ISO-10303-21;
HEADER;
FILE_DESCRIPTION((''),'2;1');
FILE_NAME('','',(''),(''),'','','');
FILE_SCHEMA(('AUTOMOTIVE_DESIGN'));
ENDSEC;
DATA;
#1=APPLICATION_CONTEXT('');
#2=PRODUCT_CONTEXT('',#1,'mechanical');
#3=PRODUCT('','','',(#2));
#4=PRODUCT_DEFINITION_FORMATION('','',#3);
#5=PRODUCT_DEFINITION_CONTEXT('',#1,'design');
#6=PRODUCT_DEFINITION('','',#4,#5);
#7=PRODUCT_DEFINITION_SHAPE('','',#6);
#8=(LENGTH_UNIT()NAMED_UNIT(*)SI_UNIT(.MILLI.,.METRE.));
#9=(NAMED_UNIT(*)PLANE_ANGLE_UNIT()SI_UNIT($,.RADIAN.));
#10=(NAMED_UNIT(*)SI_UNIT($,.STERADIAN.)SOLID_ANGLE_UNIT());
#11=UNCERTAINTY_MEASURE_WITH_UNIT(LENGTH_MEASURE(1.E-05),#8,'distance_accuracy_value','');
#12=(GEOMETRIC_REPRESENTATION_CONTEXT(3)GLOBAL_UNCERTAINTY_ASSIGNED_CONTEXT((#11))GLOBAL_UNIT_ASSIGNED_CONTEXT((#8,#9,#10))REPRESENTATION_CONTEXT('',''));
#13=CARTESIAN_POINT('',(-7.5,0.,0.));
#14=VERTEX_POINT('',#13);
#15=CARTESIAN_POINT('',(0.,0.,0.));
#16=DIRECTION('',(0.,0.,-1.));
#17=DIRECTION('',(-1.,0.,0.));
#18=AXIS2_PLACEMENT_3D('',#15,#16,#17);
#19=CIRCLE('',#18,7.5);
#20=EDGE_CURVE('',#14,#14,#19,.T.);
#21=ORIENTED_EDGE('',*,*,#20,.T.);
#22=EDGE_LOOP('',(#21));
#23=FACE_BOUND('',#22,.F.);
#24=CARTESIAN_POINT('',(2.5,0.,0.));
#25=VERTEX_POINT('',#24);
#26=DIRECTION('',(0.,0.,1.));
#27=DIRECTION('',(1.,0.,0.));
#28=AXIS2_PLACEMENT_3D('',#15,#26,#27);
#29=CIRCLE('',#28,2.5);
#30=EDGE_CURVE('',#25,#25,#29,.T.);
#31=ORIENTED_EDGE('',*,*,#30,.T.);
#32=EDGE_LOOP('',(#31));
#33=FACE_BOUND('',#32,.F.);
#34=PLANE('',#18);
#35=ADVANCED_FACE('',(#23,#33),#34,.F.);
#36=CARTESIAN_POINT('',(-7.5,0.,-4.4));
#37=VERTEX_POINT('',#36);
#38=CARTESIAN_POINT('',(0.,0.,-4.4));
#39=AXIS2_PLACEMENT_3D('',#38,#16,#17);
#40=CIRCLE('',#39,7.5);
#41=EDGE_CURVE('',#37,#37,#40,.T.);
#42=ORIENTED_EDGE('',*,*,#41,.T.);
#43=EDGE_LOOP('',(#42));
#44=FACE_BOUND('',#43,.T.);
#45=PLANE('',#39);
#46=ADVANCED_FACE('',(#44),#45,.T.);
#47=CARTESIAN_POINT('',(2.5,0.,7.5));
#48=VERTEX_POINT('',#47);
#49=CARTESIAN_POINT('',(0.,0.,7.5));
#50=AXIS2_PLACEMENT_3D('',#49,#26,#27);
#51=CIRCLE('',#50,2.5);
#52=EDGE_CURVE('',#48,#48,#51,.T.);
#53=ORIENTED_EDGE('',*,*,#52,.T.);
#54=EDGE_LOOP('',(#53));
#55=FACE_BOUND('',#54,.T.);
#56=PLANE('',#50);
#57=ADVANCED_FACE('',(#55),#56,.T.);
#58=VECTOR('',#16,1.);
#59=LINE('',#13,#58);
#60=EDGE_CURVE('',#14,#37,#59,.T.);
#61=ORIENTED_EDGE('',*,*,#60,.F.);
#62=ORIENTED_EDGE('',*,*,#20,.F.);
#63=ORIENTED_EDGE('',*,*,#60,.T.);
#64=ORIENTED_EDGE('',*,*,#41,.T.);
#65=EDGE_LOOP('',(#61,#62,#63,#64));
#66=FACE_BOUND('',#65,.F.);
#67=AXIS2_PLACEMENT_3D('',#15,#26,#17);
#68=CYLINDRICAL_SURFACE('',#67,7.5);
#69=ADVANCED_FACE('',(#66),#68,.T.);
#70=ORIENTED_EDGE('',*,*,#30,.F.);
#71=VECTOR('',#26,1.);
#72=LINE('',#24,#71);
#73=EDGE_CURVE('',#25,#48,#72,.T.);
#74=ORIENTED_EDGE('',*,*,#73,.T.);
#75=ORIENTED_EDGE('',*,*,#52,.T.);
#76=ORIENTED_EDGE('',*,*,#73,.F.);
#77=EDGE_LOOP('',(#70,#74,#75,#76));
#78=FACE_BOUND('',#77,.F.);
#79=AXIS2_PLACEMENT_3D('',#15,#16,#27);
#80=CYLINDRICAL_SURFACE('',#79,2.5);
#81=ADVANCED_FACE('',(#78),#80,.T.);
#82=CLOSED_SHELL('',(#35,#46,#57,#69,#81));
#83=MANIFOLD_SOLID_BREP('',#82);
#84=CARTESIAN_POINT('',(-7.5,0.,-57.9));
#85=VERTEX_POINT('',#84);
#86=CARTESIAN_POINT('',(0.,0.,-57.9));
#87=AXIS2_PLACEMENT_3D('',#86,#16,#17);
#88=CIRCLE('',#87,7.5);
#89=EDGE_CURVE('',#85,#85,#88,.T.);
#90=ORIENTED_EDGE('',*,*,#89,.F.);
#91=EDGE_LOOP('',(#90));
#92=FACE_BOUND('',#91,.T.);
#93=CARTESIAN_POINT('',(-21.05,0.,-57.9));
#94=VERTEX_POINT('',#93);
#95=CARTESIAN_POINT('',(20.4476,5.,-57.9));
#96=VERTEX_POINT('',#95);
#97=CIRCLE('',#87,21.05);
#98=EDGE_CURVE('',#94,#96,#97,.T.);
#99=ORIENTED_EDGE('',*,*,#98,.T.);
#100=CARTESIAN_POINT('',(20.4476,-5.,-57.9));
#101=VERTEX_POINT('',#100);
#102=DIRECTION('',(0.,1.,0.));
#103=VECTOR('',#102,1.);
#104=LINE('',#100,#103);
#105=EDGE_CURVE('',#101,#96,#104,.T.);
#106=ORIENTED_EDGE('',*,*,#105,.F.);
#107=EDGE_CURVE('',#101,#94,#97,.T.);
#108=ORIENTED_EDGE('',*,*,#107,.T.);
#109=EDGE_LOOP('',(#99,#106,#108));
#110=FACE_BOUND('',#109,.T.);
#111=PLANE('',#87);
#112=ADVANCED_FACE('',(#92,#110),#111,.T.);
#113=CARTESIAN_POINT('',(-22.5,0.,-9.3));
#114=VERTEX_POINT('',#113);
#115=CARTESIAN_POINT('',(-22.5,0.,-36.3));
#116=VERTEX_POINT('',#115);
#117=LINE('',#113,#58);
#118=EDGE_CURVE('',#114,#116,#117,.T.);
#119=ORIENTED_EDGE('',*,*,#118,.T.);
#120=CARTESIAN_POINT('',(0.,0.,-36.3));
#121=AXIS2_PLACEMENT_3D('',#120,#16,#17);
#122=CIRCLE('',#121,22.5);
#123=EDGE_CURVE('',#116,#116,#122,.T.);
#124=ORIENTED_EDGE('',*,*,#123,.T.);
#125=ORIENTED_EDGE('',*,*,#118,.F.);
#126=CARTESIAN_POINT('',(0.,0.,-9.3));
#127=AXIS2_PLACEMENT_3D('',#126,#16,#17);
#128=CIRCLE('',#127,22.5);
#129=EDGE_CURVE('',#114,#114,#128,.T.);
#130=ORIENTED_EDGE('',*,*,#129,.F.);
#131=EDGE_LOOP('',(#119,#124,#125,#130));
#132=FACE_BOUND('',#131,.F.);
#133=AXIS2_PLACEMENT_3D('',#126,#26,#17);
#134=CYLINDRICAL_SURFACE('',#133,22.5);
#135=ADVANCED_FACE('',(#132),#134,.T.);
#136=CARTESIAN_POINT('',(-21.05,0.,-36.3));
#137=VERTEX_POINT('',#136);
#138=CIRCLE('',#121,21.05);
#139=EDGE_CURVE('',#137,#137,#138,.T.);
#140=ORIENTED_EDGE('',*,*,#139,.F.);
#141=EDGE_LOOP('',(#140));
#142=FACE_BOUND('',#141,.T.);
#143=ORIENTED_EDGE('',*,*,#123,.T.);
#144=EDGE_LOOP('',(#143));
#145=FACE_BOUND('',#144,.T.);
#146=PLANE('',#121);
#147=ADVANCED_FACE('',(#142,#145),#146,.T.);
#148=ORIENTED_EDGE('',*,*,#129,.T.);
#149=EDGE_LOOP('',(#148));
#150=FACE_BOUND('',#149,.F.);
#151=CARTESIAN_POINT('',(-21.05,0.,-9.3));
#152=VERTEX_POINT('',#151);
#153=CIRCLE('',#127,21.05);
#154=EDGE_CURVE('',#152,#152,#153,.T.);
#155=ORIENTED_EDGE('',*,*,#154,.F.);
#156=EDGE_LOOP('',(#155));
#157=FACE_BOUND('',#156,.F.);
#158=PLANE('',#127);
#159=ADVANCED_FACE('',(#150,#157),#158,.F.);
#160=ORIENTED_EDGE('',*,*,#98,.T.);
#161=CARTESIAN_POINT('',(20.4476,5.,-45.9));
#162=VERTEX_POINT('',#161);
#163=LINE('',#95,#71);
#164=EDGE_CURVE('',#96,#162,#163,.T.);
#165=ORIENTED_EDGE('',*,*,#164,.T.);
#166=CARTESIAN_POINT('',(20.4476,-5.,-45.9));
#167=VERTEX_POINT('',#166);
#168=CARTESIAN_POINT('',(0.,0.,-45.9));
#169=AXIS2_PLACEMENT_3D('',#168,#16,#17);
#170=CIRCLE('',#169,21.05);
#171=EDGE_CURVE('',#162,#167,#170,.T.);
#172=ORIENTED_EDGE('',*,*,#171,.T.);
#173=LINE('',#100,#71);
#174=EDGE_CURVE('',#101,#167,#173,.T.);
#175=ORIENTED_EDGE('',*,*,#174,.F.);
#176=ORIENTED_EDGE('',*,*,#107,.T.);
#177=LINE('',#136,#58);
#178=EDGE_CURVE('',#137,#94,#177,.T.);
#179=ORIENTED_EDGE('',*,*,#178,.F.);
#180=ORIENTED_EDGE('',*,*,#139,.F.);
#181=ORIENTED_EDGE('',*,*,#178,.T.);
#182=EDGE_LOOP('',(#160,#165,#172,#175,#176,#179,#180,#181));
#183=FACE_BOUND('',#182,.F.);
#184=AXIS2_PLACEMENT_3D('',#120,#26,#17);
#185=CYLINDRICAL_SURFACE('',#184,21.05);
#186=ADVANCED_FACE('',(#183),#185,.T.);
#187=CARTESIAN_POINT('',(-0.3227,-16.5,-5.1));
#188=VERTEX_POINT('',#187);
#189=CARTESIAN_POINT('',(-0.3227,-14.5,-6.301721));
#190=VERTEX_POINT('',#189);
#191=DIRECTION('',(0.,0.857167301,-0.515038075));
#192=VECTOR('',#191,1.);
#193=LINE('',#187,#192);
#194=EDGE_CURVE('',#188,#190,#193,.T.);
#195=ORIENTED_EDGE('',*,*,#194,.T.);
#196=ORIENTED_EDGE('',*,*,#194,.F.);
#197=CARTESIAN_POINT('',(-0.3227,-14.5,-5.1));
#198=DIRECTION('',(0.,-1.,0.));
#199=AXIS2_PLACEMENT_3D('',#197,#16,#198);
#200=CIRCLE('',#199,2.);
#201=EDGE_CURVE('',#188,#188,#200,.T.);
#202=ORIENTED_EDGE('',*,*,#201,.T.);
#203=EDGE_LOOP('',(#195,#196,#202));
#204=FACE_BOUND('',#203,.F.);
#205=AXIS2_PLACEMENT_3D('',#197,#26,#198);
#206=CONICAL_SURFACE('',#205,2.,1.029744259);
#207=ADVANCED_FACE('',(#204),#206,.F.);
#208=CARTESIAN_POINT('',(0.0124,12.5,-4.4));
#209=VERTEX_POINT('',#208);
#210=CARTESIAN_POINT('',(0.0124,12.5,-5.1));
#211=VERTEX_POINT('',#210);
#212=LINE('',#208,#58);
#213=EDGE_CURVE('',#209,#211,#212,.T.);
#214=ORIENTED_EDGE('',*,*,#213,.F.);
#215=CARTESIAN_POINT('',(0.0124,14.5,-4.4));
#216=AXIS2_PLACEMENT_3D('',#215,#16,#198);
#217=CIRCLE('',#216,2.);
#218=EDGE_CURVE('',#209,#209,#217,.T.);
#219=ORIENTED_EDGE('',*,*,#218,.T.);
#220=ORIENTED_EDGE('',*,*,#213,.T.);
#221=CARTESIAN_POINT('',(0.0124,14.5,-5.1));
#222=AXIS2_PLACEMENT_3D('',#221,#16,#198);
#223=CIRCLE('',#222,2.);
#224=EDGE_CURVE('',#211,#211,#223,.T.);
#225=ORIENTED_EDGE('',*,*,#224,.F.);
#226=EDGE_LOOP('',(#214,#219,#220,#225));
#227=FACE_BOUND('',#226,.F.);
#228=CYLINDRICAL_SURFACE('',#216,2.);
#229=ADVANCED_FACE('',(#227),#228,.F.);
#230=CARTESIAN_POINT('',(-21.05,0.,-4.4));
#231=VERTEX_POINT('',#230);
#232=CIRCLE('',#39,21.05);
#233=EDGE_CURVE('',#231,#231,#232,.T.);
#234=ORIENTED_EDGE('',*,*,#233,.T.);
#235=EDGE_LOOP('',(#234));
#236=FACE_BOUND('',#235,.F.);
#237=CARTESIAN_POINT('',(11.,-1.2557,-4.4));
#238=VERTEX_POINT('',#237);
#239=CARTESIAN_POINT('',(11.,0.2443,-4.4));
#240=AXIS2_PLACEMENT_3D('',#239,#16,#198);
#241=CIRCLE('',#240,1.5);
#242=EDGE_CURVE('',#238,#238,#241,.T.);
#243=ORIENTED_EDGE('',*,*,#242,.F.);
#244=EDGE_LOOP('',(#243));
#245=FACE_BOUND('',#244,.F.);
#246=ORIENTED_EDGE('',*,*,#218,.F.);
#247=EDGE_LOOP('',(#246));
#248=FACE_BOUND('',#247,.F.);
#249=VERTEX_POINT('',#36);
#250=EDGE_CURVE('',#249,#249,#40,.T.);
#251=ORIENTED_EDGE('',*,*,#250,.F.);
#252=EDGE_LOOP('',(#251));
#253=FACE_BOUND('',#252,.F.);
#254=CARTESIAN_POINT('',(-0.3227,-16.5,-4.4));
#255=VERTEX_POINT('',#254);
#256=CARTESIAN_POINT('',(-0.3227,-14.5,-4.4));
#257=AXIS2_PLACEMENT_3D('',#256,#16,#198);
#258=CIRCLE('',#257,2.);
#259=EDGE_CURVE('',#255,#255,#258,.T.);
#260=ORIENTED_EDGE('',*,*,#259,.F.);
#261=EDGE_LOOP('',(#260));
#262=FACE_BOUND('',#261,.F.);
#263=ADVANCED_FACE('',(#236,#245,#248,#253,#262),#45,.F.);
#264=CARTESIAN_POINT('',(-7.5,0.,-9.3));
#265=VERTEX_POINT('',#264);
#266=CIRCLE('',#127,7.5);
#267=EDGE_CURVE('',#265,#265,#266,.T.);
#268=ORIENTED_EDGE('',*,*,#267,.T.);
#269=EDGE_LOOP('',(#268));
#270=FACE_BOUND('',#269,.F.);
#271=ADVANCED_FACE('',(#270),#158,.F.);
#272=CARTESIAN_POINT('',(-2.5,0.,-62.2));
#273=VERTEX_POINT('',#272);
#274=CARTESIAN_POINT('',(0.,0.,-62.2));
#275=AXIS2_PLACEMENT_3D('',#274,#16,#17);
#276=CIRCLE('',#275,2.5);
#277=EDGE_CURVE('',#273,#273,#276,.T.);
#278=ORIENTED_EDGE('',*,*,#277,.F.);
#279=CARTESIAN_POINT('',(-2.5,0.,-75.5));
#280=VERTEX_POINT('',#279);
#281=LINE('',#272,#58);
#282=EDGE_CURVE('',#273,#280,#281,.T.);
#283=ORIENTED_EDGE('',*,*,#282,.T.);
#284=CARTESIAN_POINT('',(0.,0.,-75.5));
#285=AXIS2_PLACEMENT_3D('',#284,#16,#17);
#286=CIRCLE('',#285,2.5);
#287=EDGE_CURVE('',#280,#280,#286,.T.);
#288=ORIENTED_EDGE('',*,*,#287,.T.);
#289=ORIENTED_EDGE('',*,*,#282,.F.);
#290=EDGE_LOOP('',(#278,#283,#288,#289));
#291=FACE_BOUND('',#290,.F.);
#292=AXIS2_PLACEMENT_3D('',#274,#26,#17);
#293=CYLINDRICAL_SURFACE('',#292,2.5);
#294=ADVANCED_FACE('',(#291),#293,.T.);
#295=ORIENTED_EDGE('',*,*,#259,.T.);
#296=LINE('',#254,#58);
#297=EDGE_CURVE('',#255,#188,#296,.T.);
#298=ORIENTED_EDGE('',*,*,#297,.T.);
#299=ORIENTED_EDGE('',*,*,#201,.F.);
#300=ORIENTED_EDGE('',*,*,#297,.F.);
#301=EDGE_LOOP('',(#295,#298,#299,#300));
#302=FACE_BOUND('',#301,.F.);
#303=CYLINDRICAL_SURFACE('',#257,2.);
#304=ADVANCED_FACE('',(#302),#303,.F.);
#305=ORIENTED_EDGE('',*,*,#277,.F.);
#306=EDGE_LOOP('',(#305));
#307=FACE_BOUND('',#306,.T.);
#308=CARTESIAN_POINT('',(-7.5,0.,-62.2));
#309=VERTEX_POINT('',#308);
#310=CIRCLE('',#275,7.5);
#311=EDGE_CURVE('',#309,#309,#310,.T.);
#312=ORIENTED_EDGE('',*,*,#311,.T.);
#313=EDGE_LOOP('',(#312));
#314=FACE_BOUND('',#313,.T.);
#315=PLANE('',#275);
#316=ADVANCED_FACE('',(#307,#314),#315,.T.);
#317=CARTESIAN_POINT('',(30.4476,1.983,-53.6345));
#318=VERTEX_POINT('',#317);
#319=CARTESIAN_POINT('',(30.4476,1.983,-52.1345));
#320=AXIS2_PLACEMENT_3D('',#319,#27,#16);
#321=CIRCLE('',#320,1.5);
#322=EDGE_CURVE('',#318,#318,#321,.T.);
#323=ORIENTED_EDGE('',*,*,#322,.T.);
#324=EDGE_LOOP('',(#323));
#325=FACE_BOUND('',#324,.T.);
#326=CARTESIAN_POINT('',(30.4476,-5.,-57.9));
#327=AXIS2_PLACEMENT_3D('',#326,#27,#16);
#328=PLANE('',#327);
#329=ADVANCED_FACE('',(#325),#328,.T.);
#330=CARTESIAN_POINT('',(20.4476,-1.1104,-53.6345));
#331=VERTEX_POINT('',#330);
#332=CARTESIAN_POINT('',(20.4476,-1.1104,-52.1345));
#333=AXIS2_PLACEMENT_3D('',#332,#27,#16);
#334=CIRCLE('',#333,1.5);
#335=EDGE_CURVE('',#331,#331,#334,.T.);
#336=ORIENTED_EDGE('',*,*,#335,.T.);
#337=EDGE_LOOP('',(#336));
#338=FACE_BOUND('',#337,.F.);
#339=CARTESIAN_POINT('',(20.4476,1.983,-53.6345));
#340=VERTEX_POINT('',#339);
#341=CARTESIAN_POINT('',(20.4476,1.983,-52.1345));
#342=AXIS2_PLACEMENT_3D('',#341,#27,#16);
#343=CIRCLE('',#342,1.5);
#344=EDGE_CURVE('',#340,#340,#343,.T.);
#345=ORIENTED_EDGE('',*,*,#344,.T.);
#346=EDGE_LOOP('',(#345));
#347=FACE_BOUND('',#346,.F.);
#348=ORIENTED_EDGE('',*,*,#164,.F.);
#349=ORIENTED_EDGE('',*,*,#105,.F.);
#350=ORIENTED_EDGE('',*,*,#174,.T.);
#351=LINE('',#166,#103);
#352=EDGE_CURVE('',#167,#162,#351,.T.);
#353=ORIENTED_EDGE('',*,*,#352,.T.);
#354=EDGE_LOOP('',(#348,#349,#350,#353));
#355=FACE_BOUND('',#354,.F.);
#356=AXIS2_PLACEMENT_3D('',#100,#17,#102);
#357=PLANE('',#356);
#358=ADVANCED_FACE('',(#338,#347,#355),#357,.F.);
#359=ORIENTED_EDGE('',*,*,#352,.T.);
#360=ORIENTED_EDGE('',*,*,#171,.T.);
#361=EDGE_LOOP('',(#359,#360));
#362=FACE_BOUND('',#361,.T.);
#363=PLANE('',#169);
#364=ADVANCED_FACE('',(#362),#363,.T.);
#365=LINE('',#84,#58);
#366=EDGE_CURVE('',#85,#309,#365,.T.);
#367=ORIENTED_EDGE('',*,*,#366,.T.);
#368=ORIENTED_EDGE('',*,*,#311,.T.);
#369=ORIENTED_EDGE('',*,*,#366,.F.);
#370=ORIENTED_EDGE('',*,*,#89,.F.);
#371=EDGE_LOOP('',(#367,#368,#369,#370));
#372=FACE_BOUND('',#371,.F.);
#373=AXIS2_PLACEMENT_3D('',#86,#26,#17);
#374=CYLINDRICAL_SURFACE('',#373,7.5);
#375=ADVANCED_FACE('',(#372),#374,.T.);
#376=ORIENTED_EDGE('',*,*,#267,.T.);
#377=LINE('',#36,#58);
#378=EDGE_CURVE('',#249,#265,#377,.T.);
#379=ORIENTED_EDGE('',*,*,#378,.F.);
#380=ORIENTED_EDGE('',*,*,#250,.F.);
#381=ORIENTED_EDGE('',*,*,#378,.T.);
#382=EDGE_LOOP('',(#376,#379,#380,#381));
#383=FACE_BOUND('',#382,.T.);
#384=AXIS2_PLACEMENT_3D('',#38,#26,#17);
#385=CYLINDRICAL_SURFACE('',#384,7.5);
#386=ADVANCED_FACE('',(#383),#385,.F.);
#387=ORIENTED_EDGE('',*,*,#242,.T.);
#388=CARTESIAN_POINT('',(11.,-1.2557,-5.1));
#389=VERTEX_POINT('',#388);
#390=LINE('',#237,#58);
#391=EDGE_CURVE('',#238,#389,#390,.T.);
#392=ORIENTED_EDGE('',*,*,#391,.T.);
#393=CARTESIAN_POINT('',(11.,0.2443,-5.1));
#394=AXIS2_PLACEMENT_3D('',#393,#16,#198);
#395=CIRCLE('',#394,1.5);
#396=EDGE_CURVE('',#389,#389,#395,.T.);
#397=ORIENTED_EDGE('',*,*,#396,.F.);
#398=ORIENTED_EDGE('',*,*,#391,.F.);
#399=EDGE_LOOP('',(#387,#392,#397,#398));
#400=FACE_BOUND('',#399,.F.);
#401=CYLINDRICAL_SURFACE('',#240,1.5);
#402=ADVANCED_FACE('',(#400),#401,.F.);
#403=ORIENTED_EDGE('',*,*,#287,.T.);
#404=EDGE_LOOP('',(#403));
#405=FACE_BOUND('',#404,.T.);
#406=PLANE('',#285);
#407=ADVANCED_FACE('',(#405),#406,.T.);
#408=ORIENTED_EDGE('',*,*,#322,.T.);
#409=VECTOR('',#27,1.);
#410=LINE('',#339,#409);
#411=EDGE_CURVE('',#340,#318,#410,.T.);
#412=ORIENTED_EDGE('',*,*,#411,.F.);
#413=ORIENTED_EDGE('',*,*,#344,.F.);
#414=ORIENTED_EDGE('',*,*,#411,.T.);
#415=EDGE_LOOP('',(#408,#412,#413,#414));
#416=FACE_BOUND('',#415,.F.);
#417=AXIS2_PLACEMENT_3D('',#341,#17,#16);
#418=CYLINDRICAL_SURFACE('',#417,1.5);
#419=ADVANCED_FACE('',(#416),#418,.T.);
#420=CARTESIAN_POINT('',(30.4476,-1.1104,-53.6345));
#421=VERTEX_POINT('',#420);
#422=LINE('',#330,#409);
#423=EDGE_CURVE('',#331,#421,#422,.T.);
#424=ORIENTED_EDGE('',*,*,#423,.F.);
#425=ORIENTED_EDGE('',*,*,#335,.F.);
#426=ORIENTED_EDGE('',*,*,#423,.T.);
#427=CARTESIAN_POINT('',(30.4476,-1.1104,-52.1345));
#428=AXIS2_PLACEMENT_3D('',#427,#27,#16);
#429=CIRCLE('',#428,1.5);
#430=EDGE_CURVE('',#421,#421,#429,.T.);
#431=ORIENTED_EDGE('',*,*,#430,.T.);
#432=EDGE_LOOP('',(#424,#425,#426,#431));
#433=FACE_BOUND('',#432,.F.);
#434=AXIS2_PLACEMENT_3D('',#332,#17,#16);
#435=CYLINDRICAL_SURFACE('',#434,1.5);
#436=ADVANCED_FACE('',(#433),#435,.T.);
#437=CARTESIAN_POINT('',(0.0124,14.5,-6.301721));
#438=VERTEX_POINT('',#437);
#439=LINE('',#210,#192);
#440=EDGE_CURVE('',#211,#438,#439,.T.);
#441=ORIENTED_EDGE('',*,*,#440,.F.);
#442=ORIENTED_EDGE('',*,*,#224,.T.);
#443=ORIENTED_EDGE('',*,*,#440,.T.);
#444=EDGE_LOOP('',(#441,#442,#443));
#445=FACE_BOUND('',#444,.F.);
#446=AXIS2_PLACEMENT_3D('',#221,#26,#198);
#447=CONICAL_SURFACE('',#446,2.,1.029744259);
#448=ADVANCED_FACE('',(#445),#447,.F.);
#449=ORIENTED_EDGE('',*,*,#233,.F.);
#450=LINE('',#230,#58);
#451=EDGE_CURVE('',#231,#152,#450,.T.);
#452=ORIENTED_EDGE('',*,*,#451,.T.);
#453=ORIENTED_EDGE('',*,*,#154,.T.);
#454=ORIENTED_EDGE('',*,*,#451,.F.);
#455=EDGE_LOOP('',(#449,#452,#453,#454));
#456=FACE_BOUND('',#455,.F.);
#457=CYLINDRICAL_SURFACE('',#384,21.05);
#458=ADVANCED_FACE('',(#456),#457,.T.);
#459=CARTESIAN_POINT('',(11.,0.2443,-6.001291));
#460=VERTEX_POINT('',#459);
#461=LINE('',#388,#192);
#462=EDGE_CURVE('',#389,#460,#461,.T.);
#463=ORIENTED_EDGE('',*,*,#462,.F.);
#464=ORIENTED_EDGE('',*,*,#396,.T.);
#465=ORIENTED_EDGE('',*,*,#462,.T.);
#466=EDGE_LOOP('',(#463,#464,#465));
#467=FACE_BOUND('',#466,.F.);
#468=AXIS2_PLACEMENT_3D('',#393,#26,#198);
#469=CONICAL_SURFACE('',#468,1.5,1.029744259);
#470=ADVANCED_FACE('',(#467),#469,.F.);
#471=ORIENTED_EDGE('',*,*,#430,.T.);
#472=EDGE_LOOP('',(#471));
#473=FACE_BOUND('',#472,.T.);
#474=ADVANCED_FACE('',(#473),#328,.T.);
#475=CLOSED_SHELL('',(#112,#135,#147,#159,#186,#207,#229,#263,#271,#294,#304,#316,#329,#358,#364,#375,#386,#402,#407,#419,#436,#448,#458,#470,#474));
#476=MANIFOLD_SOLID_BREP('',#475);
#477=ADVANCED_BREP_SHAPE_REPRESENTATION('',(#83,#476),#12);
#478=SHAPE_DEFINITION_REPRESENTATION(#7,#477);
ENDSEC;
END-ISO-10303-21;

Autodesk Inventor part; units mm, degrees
ref_plane "YZ Plane" through (0, 0, 0) normal (1, 0, 0) x (0, 1, 0)
ref_plane "XZ Plane" through (0, 0, 0) normal (0, 1, 0) x (-1, 0, 0)
ref_plane "XY Plane" through (0, 0, 0) normal (0, 0, 1) x (1, 0, 0)
sketch "スケッチ1" plane through (0, 0, 0) normal (0, 0, 1) x (1, 0, 0)
  circle A0 centre (0, 0) radius 2.5
  dimension "d0" = 5
extrude "押し出し1" add sketch "スケッチ1" along normal blind 7.5
sketch "スケッチ2" plane through (0, 0, 0) normal (0, 0, -1) x (-1, 0, 0)
  circle A0 centre (0, 0) radius 7.5
  dimension "d3" = 15
extrude "押し出し2" add sketch "スケッチ2" along normal blind 4.4
sketch "スケッチ3" plane through (0, 0, -4.4) normal (0, 0, -1) x (-1, 0, 0)
  circle A0 centre (0, 0) radius 7.5 projected
  circle A1 centre (0, 0) radius 21.05
  dimension "d6" = 42.1
extrude "押し出し3" add sketch "スケッチ3" along normal blind 4.9
sketch "スケッチ4" plane through (0, 0, -9.3) normal (0, 0, -1) x (-1, 0, 0)
  circle A0 centre (0, 0) radius 22.5
  dimension "d9" = 45
extrude "押し出し4" add sketch "スケッチ4" along normal blind 27
sketch "スケッチ5" plane through (0, 0, -36.3) normal (0, 0, -1) x (-1, 0, 0)
  circle A0 centre (0, 0) radius 21.05
  dimension "d12" = 42.1
extrude "押し出し5" add sketch "スケッチ5" along normal blind 21.6
sketch "スケッチ6" plane through (0, 0, -57.9) normal (0, 0, -1) x (-1, 0, 0)
  circle A0 centre (0, 0) radius 7.5
  dimension "d15" = 15
extrude "押し出し6" add sketch "スケッチ6" along normal blind 4.3
sketch "スケッチ7" plane through (0, 0, -62.2) normal (0, 0, -1) x (-1, 0, 0)
  circle A0 centre (0, 0) radius 2.5
  dimension "d18" = 5
extrude "押し出し7" add sketch "スケッチ7" along normal blind 13.3
sketch "スケッチ8" plane through (0, 0, -4.4) normal (0, 0, 1) x (1, 0, 0)
  point P0 (0, 0)
  point P1 (0.0124, 14.5)
  point P2 (-0.3227, -14.5)
  dimension "d35" = 14.5
  dimension "d36" = 14.5
hole "穴1" at (0.0124, 14.5, -4.4) at (-0.3227, -14.5, -4.4) direction (0, 0, -1) diameter 4 depth 0.7 tip angle 118
sketch "スケッチ9" plane through (0, 0, -4.4) normal (0, 0, 1) x (1, 0, 0)
  point P0 (0, 0)
  point P1 (11, 0.2443)
  dimension "d37" = 11
hole "穴2" at (11, 0.2443, -4.4) direction (0, 0, -1) diameter 3 depth 0.7 tip angle 118
sketch "スケッチ10" plane through (0, 0, -57.9) normal (0, 0, -1) x (-1, 0, 0)
  circle A0 centre (0, 0) radius 21.05 projected
  arc A1 (-20.4476, 5) -> (-20.4476, -5) centre (0, 0) ccw
  line L0 (-20.4476, -5) -> (-20.4476, 5)
  dimension "d38" = 5
  dimension "d39" = 5
extrude "押し出し8" cut sketch "スケッチ10" against normal blind 12 contours L0 A0 picked at (-20.626, 0.5603)
sketch "スケッチ11" plane through (20.4476, -5, -57.9) normal (1, 0, 0) x (0, 0, -1)
  circle A0 centre (-5.7655, 6.983) radius 1.5
  circle A1 centre (-5.7655, 3.8896) radius 1.5
  point P0 (-57.9, 5)
  dimension "d42" = 3
  dimension "d43" = 3
extrude "押し出し9" add sketch "スケッチ11" along normal blind 10
equation "\"d36\" = d35"
equation "\"d39\" = d38"
properties part number "モータ RZ-735VA" material "ステンレス鋼"
